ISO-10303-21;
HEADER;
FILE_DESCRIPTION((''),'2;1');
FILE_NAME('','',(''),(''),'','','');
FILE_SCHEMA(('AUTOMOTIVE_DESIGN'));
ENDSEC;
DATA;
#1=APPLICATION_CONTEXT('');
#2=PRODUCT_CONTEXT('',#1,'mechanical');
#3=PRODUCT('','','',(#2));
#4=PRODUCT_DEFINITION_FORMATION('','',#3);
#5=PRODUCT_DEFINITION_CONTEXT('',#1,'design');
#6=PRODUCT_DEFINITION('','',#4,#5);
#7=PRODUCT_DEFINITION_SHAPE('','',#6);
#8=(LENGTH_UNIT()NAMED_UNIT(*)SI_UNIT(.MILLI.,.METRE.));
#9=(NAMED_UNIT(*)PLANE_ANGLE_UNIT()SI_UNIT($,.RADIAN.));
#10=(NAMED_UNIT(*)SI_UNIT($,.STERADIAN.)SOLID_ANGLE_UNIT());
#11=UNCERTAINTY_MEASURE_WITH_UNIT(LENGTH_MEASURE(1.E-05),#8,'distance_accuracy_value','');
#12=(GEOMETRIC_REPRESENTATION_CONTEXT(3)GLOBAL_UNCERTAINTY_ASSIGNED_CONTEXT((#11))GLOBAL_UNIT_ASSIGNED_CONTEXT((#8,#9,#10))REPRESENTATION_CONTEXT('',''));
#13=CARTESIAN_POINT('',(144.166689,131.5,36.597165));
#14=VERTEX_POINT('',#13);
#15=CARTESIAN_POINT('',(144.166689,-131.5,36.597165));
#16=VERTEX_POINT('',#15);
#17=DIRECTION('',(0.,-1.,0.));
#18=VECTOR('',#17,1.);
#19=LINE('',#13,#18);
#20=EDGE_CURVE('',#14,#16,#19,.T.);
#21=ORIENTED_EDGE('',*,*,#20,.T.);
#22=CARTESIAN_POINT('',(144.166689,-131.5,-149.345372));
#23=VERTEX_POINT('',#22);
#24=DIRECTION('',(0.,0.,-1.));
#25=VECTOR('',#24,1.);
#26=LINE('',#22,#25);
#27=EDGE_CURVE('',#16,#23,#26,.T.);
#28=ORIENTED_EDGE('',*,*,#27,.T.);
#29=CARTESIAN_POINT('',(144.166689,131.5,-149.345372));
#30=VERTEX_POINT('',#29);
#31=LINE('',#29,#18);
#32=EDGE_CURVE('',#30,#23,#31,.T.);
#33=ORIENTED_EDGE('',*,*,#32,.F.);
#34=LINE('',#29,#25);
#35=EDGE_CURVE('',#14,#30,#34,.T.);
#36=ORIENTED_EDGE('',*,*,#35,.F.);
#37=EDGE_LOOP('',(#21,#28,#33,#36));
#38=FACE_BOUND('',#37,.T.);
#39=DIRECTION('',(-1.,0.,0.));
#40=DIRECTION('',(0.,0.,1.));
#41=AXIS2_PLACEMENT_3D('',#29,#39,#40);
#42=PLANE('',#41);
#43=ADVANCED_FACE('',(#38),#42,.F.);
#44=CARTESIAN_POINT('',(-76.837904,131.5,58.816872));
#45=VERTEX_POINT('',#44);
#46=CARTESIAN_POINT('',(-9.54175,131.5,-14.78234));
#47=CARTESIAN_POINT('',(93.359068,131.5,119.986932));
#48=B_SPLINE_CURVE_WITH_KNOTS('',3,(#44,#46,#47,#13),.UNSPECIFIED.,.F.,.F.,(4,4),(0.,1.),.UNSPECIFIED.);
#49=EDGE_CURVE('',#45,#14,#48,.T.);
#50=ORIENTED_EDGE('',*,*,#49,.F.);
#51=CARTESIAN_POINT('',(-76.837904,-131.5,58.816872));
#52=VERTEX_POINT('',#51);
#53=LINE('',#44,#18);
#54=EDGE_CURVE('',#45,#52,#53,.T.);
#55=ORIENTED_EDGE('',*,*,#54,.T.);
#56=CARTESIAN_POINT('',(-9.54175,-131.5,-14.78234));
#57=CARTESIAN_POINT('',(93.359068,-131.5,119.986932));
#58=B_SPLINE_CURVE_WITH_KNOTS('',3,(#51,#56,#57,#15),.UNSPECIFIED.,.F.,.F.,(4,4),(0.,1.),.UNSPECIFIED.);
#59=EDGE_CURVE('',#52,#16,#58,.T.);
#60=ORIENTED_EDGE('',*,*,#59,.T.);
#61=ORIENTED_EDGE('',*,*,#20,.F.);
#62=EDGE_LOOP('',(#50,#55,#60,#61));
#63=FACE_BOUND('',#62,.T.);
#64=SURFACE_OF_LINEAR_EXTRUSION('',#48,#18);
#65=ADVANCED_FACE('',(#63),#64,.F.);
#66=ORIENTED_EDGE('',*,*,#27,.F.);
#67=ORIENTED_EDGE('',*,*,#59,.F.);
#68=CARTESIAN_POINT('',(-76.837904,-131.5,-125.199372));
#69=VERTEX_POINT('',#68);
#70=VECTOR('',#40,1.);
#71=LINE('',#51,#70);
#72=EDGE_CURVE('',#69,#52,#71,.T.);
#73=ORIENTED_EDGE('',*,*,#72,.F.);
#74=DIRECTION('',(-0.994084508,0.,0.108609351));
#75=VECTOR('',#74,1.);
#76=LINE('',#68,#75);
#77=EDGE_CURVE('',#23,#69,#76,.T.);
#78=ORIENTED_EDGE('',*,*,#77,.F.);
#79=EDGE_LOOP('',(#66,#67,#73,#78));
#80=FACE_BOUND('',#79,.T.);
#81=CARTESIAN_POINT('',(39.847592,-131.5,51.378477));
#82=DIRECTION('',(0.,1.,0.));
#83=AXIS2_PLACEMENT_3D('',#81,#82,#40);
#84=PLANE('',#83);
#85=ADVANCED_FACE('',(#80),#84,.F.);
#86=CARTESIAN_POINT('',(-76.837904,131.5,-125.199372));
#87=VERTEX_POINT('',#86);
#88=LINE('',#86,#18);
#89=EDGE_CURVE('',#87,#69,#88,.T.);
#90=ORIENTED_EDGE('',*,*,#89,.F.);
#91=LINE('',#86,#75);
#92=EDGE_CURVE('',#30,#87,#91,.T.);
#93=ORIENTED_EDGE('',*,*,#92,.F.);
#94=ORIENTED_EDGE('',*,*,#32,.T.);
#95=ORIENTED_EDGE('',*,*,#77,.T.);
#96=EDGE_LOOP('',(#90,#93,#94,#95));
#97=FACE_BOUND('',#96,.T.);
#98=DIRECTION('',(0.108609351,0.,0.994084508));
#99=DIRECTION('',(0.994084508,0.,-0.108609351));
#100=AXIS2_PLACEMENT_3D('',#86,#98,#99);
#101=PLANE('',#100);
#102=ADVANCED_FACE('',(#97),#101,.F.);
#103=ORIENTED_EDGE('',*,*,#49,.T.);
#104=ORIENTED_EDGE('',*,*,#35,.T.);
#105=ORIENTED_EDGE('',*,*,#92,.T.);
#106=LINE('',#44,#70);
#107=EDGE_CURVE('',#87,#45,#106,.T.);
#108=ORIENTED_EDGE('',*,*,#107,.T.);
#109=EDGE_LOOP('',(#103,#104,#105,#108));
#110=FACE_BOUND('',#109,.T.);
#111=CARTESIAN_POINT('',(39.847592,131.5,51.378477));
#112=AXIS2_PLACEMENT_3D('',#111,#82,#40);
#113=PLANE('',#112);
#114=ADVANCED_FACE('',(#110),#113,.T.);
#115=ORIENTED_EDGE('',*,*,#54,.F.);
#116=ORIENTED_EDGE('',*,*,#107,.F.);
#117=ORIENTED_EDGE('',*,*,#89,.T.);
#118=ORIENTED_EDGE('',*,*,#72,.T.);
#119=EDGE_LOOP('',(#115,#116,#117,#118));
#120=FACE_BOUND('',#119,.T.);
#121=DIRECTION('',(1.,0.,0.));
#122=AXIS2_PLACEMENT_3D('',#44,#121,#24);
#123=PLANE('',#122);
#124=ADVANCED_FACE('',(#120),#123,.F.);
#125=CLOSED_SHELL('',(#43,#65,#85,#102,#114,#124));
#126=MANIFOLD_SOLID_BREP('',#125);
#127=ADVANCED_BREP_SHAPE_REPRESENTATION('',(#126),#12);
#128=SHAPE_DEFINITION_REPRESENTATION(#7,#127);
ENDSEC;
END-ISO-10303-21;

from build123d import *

# Parameters (mm, degrees)
EXTRUDE_1_DEPTH = 131.5


with BuildPart() as part:
    # 草图1 → 凸台-拉伸1 (new, symmetric)
    with BuildSketch(Plane(origin=(0, 0, 0), x_dir=(1, 0, 0), z_dir=(0, 1, 0))):
        with BuildLine():
            Line((-76.837904128, -58.81687225), (-76.837904128, 125.19937152))
            Line((-76.837904128, 125.19937152), (144.166689092, 149.345372478))
            Line((144.166689092, 149.345372478), (144.166689092, -36.597164955))
            add(Edge.make_bspline(
                [(-76.837904128, -58.81687225), (-9.541749974, 14.78234011), (93.359068004, -119.986931913), (144.166689092, -36.597164955)],
                knots=[0, 0, 0, 0, 1, 1, 1, 1], degree=3))
        make_face()
    extrude(amount=EXTRUDE_1_DEPTH, both=True)


solid = part.part
